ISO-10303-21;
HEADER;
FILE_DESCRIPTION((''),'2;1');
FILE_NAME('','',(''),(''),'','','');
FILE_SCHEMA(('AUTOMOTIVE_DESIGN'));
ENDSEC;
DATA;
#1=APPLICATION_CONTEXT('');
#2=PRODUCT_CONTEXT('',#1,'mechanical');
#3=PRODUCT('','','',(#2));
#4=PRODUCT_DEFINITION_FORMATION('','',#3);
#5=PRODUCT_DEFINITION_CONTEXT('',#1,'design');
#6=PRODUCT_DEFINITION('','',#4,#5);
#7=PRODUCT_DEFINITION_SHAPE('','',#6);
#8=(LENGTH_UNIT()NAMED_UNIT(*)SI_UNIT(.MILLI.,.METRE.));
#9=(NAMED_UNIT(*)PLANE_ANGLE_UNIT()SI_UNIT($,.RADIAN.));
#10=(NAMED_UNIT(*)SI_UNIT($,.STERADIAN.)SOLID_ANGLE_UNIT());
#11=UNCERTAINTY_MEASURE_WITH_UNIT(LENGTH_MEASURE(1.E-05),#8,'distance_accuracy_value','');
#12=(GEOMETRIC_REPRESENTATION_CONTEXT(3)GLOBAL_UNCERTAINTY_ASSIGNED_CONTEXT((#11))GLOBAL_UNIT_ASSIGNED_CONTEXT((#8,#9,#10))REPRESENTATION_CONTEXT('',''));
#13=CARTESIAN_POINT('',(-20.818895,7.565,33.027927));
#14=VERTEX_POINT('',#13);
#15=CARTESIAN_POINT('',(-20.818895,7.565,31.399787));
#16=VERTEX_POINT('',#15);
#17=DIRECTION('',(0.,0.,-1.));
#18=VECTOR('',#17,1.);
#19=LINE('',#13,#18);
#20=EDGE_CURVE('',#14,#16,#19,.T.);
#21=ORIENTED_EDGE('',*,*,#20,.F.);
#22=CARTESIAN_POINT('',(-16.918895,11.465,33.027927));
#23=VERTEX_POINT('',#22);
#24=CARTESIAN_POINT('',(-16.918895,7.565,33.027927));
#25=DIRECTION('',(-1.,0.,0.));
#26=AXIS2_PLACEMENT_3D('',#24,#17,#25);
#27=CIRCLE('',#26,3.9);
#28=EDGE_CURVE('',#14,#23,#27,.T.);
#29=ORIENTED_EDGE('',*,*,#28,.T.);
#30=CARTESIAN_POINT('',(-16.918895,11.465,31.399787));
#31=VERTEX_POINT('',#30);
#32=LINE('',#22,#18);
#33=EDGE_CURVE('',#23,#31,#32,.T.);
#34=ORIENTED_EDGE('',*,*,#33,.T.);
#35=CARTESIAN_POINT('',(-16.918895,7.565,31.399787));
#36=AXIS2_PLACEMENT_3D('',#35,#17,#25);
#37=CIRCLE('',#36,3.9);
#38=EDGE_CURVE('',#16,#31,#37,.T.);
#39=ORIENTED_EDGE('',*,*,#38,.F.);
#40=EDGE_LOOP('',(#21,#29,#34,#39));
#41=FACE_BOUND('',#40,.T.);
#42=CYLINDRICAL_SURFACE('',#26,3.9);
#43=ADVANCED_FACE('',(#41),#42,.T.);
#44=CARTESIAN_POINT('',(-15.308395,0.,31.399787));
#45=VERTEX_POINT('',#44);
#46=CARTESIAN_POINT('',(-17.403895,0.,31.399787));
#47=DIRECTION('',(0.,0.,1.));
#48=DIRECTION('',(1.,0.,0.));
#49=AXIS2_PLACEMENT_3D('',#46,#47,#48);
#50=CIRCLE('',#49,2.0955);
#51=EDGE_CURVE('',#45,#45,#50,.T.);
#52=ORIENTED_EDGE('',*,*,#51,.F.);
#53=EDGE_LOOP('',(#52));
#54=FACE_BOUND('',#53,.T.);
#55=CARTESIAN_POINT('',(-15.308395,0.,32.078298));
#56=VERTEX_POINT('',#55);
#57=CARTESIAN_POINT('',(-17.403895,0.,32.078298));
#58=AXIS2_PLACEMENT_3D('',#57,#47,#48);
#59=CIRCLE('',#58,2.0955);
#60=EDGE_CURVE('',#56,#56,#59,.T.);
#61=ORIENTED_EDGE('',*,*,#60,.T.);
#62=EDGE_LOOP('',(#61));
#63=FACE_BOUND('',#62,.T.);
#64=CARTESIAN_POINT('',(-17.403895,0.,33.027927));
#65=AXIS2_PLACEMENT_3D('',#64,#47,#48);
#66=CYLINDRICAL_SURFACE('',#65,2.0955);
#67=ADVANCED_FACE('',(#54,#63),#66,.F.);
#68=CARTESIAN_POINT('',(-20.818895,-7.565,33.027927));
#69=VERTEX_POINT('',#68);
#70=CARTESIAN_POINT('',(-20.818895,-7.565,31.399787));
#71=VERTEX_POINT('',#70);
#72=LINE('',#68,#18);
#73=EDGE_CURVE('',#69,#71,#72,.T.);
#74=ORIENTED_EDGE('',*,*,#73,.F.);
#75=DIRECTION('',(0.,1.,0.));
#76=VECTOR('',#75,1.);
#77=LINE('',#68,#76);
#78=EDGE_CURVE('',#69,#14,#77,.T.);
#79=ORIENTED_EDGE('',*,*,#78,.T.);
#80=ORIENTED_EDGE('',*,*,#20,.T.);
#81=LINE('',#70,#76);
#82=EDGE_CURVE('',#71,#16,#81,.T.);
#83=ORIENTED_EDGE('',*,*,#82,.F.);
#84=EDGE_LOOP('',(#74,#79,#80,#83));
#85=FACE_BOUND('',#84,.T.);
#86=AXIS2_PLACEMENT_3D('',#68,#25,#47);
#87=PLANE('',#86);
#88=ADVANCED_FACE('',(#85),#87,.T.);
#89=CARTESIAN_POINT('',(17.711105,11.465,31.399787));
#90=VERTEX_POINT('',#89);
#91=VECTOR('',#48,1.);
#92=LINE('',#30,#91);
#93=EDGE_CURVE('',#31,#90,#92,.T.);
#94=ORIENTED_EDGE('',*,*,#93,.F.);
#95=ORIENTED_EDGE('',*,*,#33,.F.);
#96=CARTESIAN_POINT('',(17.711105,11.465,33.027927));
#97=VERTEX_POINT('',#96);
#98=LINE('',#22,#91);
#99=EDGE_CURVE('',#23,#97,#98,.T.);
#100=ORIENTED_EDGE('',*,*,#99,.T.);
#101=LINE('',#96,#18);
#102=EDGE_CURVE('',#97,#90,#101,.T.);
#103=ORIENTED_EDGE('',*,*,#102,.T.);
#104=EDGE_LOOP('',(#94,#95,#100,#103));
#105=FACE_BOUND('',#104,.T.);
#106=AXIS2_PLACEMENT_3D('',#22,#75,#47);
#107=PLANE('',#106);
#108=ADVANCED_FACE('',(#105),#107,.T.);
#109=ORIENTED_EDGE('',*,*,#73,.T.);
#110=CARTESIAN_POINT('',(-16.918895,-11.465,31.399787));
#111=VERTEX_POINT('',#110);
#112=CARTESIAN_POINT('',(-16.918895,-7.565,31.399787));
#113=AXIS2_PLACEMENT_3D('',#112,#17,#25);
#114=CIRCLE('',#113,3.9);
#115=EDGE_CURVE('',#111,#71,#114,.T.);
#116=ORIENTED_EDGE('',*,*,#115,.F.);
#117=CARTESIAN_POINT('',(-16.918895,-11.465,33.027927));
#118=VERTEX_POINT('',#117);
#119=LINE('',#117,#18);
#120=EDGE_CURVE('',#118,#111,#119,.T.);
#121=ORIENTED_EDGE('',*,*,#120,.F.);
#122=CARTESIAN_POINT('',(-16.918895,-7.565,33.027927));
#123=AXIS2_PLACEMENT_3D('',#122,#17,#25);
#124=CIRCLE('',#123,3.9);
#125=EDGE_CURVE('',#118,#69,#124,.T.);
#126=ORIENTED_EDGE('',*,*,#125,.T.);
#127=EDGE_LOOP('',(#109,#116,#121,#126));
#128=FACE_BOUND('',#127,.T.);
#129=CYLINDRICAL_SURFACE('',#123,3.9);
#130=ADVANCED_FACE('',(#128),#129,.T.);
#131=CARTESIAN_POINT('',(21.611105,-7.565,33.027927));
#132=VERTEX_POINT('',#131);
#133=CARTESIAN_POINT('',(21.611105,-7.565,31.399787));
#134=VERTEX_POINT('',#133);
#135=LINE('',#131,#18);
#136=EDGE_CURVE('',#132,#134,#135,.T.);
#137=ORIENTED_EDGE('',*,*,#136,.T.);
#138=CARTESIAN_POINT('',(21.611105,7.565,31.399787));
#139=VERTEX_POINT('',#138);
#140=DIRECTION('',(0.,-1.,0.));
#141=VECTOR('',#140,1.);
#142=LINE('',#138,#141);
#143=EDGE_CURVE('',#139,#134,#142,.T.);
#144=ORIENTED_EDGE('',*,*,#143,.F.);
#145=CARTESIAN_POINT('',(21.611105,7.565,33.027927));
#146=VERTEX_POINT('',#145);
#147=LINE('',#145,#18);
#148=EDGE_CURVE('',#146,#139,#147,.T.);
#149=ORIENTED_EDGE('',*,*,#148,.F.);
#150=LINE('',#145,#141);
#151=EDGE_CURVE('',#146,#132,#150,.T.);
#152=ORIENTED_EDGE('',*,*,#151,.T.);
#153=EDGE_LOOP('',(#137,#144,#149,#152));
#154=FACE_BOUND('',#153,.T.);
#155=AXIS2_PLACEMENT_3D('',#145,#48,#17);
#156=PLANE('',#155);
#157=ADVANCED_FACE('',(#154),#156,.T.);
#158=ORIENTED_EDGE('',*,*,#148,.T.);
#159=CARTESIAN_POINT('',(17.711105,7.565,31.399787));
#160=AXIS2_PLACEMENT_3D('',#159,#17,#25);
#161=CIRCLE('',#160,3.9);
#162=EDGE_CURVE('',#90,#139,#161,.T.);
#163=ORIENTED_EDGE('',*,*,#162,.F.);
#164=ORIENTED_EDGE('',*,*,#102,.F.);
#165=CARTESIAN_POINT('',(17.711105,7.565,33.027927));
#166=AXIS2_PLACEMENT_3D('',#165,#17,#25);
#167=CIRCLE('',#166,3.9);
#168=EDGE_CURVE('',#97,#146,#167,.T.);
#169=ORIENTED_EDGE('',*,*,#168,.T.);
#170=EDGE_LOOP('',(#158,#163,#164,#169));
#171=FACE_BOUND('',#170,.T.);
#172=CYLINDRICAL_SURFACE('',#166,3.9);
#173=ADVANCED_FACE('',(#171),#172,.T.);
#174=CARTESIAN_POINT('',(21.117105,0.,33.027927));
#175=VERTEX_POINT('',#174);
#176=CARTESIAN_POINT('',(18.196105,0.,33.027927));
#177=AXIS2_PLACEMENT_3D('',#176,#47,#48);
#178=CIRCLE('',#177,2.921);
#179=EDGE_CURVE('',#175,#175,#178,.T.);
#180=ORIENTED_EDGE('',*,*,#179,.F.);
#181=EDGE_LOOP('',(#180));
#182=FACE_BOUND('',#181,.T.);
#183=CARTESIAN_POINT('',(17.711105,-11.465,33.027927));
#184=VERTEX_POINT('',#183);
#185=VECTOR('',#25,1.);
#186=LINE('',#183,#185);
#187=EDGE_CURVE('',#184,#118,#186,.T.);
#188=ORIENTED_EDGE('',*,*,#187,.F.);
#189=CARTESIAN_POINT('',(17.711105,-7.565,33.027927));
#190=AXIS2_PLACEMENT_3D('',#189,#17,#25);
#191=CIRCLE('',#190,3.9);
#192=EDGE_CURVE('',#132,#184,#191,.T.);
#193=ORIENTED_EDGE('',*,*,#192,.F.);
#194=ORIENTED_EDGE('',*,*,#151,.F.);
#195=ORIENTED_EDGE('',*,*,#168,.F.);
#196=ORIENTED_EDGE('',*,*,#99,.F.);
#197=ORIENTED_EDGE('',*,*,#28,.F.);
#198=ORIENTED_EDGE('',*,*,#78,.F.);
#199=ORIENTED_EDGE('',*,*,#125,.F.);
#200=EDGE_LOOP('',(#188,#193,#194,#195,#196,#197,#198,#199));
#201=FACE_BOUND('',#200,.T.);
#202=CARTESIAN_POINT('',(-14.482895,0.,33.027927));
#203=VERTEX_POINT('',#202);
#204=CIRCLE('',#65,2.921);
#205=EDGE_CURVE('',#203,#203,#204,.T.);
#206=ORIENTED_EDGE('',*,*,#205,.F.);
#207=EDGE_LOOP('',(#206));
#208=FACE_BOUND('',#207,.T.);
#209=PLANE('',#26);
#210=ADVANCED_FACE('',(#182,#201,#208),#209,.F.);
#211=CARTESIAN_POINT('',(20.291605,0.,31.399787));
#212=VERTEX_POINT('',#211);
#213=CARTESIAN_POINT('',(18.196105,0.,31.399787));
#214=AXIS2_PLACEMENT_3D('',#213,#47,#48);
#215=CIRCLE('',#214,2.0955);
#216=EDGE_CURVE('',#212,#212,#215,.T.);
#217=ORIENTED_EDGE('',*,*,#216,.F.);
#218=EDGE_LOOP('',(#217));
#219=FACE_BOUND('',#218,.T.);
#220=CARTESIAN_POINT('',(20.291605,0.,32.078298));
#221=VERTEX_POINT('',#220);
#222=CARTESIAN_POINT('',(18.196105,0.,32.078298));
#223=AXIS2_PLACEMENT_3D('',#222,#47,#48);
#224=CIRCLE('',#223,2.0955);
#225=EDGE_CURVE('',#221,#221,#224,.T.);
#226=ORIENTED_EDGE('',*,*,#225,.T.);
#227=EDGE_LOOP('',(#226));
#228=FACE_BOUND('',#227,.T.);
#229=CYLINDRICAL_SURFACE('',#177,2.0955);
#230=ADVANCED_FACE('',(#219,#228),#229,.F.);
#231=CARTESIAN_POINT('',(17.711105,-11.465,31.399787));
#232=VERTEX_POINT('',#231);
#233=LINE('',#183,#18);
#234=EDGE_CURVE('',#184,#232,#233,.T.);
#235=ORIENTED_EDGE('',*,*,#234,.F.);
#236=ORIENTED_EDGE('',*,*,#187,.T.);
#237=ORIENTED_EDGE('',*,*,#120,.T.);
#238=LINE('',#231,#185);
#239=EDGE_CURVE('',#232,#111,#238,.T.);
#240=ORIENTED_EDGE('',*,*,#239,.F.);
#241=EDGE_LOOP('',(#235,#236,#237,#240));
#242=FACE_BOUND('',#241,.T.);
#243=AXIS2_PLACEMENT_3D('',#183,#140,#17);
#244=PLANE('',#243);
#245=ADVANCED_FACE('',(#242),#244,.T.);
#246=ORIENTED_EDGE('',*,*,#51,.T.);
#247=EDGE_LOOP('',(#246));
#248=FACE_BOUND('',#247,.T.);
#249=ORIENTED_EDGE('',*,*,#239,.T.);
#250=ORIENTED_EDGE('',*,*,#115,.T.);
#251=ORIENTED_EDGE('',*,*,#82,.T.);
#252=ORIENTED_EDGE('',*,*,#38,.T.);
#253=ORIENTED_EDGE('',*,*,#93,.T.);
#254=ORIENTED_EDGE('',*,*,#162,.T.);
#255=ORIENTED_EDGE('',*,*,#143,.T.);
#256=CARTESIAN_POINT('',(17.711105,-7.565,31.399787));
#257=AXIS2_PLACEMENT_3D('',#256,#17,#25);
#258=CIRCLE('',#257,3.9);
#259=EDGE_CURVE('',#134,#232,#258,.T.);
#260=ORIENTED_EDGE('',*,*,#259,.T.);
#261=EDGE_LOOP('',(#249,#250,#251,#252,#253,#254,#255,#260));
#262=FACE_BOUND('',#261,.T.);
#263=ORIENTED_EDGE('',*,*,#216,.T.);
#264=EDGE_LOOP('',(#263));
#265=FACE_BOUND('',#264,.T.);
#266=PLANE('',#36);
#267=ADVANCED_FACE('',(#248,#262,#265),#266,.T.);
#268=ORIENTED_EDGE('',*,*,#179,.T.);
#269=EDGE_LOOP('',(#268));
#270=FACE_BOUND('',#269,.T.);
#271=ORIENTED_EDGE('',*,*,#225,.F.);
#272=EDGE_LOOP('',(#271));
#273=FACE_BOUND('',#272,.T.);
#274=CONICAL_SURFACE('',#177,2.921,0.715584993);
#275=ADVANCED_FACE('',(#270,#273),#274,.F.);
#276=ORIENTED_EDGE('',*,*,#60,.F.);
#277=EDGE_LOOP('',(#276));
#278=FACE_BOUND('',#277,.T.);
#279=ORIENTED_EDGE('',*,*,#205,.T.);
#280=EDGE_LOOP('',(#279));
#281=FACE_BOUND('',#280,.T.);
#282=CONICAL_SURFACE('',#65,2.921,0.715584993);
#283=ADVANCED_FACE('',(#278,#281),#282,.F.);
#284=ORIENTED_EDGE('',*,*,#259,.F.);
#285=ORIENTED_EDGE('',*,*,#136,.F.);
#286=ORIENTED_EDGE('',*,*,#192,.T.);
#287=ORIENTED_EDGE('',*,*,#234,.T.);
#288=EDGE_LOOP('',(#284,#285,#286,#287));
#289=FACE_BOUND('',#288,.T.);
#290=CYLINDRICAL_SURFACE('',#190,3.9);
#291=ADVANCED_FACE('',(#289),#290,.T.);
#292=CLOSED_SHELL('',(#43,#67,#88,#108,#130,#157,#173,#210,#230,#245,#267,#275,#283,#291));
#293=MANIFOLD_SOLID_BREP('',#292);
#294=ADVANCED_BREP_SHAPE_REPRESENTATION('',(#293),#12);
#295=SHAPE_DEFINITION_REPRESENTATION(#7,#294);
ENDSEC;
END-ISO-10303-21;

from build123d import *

# Parameters (mm, degrees)
BOSS_EXTRUDE1_DEPTH                            = 1.62814
CSK_FOR_M3_5_FLAT_HEAD_MACHINE_SCREW1_AT_COUNT = 2
CSK_FOR_M3_5_FLAT_HEAD_MACHINE_SCREW1_AT_PITCH = 35.6


with BuildPart() as part:
    # Sketch1 → Boss-Extrude1 (new body)
    with BuildSketch(Plane(origin=(0, 0, 31.399786773), x_dir=(-1, 0, 0), z_dir=(0, 0, -1))):
        with BuildLine():
            Line((16.918894582, 11.465), (-17.711105418, 11.465))
            ThreePointArc((-17.711105418, 11.465), (-20.468821865, 10.322716447), (-21.611105418, 7.565))
            Line((-21.611105418, 7.565), (-21.611105418, -7.565))
            ThreePointArc((-21.611105418, -7.565), (-20.468821865, -10.322716447), (-17.711105418, -11.465))
            Line((-17.711105418, -11.465), (16.918894582, -11.465))
            ThreePointArc((16.918894582, -11.465), (19.676611029, -10.322716447), (20.818894582, -7.565))
            Line((20.818894582, -7.565), (20.818894582, 7.565))
            ThreePointArc((20.818894582, 7.565), (19.676611029, 10.322716447), (16.918894582, 11.465))
        make_face()
    extrude(amount=-BOSS_EXTRUDE1_DEPTH)

    # Sketch2 → CSK for M3.5 Flat Head Machine Screw1 (revolve, cut)
    with BuildSketch(Plane(origin=(-17.403894582, 0, 33.027926773), x_dir=(0, -1, 0), z_dir=(1, 0, 0))):
        Polygon((0, 0), (0, 1.62814), (2.0955, 1.62814), (2.0955, 0.94962912), (2.921, 0), align=None)
    csk_for_m3_5_flat_head_machine_screw1 = revolve(axis=Axis((-17.403894582, 0, 39.377926773), (0, 0, -1)), mode=Mode.SUBTRACT)

    # CSK for M3.5 Flat Head Machine Screw1 at: CSK for M3.5 Flat Head Machine Screw1 ×2
    with Locations(*[(i * CSK_FOR_M3_5_FLAT_HEAD_MACHINE_SCREW1_AT_PITCH, 0, 0) for i in range(1, CSK_FOR_M3_5_FLAT_HEAD_MACHINE_SCREW1_AT_COUNT)]):
        add(csk_for_m3_5_flat_head_machine_screw1, mode=Mode.SUBTRACT)


solid = part.part
